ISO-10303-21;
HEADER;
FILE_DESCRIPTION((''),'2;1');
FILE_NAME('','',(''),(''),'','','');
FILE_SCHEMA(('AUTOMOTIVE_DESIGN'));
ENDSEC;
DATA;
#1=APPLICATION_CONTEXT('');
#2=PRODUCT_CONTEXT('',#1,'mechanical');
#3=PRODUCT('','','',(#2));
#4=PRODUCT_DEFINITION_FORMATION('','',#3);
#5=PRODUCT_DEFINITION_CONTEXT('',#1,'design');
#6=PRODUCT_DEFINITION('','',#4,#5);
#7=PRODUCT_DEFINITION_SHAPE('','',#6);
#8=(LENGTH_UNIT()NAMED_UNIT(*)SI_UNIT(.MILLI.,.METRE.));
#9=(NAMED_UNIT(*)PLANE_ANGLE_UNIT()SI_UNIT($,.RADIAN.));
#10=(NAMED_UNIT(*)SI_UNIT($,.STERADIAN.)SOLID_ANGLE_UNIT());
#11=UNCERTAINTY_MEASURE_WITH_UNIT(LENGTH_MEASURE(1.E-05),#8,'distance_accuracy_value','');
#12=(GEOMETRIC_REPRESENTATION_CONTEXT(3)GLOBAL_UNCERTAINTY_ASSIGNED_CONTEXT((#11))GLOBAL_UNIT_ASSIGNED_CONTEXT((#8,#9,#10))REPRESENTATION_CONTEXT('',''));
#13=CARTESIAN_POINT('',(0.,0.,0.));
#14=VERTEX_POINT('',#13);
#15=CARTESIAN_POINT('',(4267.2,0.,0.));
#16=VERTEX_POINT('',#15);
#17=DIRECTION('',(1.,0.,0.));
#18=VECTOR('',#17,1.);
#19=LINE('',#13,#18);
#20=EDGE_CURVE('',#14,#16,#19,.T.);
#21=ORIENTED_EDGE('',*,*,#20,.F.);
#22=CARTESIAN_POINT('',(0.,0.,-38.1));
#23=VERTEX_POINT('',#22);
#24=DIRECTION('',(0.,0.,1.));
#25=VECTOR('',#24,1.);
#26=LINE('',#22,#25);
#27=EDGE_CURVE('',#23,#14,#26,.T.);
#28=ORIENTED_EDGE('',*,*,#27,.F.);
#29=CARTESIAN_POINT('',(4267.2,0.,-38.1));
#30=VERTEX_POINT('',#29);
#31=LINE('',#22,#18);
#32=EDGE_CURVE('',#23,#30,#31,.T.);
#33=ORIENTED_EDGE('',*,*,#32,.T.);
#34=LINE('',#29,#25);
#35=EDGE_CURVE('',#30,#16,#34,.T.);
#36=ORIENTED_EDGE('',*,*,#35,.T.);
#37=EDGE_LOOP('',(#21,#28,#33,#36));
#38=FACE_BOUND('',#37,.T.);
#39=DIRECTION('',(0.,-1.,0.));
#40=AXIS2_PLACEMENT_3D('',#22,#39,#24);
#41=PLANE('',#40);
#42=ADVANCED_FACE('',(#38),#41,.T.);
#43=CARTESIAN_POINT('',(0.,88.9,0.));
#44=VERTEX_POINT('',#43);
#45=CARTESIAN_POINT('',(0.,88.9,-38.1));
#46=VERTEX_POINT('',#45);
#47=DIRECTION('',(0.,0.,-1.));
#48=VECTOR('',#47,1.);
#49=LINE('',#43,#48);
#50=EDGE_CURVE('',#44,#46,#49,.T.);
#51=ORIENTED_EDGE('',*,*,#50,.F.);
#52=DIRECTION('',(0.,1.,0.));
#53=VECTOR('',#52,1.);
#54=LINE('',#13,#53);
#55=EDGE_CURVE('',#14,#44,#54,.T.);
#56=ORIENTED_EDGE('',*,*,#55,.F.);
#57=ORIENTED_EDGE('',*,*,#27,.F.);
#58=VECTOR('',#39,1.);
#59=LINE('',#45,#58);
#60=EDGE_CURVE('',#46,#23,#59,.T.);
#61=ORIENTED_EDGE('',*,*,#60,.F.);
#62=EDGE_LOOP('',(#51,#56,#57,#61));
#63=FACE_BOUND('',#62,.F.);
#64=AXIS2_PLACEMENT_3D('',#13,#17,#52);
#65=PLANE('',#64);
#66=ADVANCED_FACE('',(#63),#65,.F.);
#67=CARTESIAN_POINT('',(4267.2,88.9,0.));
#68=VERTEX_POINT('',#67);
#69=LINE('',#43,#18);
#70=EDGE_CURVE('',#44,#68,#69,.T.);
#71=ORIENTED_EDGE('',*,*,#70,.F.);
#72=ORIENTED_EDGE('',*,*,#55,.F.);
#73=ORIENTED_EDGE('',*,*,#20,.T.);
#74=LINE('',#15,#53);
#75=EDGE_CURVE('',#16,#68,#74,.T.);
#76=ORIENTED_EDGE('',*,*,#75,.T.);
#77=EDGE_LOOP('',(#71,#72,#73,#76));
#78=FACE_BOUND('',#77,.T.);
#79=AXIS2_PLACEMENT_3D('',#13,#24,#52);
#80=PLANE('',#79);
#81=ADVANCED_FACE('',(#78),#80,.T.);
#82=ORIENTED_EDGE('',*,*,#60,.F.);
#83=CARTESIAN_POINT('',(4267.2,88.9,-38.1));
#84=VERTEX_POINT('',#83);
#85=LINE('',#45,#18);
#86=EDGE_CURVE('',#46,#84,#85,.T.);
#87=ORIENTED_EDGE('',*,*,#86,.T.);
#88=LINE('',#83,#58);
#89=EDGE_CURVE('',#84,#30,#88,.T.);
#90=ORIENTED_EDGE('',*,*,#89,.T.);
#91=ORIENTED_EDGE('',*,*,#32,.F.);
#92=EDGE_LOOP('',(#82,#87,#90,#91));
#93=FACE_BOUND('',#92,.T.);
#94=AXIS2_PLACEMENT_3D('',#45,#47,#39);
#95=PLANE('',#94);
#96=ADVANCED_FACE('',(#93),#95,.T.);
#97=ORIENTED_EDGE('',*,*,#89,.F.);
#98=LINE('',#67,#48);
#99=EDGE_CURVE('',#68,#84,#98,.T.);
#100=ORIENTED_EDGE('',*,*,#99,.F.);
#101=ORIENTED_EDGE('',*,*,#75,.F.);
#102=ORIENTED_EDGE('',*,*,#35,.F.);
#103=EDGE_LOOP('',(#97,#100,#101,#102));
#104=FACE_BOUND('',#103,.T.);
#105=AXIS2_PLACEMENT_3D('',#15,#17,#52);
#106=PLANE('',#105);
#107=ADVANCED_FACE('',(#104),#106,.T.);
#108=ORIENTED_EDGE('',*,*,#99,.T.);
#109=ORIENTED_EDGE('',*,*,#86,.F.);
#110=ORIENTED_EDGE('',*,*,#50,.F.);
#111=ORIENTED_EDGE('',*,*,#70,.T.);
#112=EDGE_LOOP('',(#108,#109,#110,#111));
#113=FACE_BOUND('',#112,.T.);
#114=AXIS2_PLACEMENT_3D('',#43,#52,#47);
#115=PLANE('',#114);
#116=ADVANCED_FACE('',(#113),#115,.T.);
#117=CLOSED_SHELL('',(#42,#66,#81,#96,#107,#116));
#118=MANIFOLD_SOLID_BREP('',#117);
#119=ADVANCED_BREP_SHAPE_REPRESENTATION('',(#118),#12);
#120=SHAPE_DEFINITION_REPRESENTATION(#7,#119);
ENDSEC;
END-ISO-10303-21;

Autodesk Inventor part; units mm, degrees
ref_plane "YZ Plane" through (0, 0, 0) normal (1, 0, 0) x (0, 1, 0)
ref_plane "XZ Plane" through (0, 0, 0) normal (0, 1, 0) x (-1, 0, 0)
ref_plane "XY Plane" through (0, 0, 0) normal (0, 0, 1) x (1, 0, 0)
sketch "Sketch1" plane through (0, 0, 0) normal (1, 0, 0) x (0, 1, 0)
  line L0 (0, 0) -> (88.9, 0)
  line L1 (88.9, 0) -> (88.9, -38.1)
  line L2 (88.9, -38.1) -> (0, -38.1)
  line L3 (0, -38.1) -> (0, 0)
  dimension "d0" = 38.1
  dimension "d1" = 88.9
extrude "Extrusion1" add sketch "Sketch1" along normal blind 4267.2
properties part number "2by4by20" material "Wood (Cherry)"
